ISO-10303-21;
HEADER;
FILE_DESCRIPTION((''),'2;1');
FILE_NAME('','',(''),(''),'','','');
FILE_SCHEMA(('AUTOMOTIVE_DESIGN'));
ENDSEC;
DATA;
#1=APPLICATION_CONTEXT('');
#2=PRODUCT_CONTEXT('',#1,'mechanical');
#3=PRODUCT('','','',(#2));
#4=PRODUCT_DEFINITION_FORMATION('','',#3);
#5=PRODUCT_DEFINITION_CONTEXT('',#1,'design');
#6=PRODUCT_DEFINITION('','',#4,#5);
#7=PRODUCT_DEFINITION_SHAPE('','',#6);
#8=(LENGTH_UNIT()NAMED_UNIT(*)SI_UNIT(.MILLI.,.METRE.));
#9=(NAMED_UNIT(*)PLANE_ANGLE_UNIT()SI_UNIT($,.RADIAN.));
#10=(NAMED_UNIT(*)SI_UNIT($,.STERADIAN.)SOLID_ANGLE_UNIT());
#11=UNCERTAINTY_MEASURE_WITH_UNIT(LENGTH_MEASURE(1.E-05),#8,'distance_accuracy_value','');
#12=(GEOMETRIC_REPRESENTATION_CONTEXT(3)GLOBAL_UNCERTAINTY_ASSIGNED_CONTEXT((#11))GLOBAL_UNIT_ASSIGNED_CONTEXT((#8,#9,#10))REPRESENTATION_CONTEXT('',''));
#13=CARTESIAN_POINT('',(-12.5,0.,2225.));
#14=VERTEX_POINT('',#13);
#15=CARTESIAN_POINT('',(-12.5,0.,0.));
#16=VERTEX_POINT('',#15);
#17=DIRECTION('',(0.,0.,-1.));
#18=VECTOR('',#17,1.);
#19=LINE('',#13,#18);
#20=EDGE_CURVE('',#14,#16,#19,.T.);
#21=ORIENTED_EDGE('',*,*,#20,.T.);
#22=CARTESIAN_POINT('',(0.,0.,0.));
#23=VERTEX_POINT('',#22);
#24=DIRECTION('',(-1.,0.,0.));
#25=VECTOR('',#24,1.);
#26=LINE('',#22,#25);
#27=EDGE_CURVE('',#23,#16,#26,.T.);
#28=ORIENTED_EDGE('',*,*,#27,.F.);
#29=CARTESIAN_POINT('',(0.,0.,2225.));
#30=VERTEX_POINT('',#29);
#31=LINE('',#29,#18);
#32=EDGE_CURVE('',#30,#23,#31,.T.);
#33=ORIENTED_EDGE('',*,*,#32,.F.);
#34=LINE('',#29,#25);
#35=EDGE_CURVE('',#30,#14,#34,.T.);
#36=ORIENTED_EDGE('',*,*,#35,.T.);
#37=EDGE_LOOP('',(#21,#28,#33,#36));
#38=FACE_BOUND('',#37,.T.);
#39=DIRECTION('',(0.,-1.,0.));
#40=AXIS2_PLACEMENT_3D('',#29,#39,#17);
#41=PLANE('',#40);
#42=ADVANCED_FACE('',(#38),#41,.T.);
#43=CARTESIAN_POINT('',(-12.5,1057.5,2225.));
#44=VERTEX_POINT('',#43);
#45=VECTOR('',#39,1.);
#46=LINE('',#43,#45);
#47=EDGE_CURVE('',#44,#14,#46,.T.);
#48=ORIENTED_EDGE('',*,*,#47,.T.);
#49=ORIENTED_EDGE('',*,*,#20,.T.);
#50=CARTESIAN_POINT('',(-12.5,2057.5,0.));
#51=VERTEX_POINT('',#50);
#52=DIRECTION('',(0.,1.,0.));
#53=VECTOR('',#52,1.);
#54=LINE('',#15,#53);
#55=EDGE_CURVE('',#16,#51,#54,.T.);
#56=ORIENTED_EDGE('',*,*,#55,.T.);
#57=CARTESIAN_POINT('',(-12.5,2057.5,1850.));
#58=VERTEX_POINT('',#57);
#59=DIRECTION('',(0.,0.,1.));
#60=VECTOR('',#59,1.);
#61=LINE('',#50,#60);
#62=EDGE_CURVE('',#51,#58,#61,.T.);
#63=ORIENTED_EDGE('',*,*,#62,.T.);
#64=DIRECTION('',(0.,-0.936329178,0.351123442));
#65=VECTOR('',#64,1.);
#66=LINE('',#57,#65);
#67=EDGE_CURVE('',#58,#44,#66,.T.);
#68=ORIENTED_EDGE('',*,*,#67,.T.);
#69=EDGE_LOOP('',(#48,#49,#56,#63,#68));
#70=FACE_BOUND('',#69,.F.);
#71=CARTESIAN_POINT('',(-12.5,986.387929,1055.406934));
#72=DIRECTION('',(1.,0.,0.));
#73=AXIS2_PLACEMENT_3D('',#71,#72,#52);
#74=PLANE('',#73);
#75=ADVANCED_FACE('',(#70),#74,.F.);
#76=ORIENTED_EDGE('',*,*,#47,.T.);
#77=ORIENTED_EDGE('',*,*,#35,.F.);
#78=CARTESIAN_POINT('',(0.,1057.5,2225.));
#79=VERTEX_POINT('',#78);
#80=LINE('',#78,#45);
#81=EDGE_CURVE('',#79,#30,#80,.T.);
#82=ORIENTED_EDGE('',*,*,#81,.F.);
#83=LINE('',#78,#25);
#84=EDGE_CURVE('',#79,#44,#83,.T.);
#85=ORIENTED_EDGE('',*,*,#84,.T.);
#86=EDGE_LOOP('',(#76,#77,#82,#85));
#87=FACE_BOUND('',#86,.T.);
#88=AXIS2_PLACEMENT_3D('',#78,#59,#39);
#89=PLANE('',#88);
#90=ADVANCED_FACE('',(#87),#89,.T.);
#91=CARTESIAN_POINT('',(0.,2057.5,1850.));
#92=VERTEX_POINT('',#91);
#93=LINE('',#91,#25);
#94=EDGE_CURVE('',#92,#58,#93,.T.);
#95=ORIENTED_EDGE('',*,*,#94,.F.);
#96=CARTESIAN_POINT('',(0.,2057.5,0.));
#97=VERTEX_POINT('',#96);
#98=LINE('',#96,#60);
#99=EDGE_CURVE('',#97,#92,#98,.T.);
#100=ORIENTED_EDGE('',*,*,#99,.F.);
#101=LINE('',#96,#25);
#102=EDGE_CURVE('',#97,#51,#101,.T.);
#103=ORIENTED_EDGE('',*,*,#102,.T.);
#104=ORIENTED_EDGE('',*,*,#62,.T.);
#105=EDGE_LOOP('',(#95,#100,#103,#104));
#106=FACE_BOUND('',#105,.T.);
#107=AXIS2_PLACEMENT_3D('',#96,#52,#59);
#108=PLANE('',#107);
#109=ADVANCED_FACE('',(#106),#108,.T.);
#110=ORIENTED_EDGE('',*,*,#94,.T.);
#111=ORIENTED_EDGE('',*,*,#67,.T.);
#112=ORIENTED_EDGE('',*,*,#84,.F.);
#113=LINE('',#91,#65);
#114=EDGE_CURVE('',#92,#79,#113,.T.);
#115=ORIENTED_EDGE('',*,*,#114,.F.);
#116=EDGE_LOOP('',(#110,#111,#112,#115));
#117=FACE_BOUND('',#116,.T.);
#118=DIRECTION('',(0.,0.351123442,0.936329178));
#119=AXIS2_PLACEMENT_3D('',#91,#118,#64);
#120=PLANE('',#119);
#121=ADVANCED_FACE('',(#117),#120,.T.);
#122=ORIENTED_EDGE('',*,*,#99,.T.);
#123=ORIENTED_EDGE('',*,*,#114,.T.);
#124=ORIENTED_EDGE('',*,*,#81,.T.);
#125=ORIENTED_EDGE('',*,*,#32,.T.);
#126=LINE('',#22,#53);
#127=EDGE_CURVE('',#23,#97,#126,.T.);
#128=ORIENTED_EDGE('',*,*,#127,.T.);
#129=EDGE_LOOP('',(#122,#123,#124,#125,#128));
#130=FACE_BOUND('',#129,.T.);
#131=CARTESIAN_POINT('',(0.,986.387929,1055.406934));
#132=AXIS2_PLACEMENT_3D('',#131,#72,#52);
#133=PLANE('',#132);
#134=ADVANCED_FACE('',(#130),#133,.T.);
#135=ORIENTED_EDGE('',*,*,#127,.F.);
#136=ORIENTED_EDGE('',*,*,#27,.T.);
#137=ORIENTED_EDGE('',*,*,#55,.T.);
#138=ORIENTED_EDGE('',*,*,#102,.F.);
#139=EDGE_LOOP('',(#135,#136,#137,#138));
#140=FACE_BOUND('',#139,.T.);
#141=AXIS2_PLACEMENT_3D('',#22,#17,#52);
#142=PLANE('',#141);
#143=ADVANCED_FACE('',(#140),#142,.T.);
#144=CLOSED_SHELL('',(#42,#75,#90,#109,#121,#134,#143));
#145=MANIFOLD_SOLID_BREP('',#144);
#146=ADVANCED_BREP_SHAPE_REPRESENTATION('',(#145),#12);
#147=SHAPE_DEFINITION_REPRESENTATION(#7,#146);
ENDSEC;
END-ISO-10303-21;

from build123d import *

# Parameters (mm, degrees)
F1_DEPTH = 12.5


with BuildPart() as f1:
    # F0 (on Right) → F1 (new body)
    with BuildSketch(Plane.YZ):
        Polygon((0, 2225), (0, 0), (2057.5, 0), (2057.5, 1850), (1057.5, 2225), align=None)
    extrude(amount=-F1_DEPTH)


solid = f1.part
